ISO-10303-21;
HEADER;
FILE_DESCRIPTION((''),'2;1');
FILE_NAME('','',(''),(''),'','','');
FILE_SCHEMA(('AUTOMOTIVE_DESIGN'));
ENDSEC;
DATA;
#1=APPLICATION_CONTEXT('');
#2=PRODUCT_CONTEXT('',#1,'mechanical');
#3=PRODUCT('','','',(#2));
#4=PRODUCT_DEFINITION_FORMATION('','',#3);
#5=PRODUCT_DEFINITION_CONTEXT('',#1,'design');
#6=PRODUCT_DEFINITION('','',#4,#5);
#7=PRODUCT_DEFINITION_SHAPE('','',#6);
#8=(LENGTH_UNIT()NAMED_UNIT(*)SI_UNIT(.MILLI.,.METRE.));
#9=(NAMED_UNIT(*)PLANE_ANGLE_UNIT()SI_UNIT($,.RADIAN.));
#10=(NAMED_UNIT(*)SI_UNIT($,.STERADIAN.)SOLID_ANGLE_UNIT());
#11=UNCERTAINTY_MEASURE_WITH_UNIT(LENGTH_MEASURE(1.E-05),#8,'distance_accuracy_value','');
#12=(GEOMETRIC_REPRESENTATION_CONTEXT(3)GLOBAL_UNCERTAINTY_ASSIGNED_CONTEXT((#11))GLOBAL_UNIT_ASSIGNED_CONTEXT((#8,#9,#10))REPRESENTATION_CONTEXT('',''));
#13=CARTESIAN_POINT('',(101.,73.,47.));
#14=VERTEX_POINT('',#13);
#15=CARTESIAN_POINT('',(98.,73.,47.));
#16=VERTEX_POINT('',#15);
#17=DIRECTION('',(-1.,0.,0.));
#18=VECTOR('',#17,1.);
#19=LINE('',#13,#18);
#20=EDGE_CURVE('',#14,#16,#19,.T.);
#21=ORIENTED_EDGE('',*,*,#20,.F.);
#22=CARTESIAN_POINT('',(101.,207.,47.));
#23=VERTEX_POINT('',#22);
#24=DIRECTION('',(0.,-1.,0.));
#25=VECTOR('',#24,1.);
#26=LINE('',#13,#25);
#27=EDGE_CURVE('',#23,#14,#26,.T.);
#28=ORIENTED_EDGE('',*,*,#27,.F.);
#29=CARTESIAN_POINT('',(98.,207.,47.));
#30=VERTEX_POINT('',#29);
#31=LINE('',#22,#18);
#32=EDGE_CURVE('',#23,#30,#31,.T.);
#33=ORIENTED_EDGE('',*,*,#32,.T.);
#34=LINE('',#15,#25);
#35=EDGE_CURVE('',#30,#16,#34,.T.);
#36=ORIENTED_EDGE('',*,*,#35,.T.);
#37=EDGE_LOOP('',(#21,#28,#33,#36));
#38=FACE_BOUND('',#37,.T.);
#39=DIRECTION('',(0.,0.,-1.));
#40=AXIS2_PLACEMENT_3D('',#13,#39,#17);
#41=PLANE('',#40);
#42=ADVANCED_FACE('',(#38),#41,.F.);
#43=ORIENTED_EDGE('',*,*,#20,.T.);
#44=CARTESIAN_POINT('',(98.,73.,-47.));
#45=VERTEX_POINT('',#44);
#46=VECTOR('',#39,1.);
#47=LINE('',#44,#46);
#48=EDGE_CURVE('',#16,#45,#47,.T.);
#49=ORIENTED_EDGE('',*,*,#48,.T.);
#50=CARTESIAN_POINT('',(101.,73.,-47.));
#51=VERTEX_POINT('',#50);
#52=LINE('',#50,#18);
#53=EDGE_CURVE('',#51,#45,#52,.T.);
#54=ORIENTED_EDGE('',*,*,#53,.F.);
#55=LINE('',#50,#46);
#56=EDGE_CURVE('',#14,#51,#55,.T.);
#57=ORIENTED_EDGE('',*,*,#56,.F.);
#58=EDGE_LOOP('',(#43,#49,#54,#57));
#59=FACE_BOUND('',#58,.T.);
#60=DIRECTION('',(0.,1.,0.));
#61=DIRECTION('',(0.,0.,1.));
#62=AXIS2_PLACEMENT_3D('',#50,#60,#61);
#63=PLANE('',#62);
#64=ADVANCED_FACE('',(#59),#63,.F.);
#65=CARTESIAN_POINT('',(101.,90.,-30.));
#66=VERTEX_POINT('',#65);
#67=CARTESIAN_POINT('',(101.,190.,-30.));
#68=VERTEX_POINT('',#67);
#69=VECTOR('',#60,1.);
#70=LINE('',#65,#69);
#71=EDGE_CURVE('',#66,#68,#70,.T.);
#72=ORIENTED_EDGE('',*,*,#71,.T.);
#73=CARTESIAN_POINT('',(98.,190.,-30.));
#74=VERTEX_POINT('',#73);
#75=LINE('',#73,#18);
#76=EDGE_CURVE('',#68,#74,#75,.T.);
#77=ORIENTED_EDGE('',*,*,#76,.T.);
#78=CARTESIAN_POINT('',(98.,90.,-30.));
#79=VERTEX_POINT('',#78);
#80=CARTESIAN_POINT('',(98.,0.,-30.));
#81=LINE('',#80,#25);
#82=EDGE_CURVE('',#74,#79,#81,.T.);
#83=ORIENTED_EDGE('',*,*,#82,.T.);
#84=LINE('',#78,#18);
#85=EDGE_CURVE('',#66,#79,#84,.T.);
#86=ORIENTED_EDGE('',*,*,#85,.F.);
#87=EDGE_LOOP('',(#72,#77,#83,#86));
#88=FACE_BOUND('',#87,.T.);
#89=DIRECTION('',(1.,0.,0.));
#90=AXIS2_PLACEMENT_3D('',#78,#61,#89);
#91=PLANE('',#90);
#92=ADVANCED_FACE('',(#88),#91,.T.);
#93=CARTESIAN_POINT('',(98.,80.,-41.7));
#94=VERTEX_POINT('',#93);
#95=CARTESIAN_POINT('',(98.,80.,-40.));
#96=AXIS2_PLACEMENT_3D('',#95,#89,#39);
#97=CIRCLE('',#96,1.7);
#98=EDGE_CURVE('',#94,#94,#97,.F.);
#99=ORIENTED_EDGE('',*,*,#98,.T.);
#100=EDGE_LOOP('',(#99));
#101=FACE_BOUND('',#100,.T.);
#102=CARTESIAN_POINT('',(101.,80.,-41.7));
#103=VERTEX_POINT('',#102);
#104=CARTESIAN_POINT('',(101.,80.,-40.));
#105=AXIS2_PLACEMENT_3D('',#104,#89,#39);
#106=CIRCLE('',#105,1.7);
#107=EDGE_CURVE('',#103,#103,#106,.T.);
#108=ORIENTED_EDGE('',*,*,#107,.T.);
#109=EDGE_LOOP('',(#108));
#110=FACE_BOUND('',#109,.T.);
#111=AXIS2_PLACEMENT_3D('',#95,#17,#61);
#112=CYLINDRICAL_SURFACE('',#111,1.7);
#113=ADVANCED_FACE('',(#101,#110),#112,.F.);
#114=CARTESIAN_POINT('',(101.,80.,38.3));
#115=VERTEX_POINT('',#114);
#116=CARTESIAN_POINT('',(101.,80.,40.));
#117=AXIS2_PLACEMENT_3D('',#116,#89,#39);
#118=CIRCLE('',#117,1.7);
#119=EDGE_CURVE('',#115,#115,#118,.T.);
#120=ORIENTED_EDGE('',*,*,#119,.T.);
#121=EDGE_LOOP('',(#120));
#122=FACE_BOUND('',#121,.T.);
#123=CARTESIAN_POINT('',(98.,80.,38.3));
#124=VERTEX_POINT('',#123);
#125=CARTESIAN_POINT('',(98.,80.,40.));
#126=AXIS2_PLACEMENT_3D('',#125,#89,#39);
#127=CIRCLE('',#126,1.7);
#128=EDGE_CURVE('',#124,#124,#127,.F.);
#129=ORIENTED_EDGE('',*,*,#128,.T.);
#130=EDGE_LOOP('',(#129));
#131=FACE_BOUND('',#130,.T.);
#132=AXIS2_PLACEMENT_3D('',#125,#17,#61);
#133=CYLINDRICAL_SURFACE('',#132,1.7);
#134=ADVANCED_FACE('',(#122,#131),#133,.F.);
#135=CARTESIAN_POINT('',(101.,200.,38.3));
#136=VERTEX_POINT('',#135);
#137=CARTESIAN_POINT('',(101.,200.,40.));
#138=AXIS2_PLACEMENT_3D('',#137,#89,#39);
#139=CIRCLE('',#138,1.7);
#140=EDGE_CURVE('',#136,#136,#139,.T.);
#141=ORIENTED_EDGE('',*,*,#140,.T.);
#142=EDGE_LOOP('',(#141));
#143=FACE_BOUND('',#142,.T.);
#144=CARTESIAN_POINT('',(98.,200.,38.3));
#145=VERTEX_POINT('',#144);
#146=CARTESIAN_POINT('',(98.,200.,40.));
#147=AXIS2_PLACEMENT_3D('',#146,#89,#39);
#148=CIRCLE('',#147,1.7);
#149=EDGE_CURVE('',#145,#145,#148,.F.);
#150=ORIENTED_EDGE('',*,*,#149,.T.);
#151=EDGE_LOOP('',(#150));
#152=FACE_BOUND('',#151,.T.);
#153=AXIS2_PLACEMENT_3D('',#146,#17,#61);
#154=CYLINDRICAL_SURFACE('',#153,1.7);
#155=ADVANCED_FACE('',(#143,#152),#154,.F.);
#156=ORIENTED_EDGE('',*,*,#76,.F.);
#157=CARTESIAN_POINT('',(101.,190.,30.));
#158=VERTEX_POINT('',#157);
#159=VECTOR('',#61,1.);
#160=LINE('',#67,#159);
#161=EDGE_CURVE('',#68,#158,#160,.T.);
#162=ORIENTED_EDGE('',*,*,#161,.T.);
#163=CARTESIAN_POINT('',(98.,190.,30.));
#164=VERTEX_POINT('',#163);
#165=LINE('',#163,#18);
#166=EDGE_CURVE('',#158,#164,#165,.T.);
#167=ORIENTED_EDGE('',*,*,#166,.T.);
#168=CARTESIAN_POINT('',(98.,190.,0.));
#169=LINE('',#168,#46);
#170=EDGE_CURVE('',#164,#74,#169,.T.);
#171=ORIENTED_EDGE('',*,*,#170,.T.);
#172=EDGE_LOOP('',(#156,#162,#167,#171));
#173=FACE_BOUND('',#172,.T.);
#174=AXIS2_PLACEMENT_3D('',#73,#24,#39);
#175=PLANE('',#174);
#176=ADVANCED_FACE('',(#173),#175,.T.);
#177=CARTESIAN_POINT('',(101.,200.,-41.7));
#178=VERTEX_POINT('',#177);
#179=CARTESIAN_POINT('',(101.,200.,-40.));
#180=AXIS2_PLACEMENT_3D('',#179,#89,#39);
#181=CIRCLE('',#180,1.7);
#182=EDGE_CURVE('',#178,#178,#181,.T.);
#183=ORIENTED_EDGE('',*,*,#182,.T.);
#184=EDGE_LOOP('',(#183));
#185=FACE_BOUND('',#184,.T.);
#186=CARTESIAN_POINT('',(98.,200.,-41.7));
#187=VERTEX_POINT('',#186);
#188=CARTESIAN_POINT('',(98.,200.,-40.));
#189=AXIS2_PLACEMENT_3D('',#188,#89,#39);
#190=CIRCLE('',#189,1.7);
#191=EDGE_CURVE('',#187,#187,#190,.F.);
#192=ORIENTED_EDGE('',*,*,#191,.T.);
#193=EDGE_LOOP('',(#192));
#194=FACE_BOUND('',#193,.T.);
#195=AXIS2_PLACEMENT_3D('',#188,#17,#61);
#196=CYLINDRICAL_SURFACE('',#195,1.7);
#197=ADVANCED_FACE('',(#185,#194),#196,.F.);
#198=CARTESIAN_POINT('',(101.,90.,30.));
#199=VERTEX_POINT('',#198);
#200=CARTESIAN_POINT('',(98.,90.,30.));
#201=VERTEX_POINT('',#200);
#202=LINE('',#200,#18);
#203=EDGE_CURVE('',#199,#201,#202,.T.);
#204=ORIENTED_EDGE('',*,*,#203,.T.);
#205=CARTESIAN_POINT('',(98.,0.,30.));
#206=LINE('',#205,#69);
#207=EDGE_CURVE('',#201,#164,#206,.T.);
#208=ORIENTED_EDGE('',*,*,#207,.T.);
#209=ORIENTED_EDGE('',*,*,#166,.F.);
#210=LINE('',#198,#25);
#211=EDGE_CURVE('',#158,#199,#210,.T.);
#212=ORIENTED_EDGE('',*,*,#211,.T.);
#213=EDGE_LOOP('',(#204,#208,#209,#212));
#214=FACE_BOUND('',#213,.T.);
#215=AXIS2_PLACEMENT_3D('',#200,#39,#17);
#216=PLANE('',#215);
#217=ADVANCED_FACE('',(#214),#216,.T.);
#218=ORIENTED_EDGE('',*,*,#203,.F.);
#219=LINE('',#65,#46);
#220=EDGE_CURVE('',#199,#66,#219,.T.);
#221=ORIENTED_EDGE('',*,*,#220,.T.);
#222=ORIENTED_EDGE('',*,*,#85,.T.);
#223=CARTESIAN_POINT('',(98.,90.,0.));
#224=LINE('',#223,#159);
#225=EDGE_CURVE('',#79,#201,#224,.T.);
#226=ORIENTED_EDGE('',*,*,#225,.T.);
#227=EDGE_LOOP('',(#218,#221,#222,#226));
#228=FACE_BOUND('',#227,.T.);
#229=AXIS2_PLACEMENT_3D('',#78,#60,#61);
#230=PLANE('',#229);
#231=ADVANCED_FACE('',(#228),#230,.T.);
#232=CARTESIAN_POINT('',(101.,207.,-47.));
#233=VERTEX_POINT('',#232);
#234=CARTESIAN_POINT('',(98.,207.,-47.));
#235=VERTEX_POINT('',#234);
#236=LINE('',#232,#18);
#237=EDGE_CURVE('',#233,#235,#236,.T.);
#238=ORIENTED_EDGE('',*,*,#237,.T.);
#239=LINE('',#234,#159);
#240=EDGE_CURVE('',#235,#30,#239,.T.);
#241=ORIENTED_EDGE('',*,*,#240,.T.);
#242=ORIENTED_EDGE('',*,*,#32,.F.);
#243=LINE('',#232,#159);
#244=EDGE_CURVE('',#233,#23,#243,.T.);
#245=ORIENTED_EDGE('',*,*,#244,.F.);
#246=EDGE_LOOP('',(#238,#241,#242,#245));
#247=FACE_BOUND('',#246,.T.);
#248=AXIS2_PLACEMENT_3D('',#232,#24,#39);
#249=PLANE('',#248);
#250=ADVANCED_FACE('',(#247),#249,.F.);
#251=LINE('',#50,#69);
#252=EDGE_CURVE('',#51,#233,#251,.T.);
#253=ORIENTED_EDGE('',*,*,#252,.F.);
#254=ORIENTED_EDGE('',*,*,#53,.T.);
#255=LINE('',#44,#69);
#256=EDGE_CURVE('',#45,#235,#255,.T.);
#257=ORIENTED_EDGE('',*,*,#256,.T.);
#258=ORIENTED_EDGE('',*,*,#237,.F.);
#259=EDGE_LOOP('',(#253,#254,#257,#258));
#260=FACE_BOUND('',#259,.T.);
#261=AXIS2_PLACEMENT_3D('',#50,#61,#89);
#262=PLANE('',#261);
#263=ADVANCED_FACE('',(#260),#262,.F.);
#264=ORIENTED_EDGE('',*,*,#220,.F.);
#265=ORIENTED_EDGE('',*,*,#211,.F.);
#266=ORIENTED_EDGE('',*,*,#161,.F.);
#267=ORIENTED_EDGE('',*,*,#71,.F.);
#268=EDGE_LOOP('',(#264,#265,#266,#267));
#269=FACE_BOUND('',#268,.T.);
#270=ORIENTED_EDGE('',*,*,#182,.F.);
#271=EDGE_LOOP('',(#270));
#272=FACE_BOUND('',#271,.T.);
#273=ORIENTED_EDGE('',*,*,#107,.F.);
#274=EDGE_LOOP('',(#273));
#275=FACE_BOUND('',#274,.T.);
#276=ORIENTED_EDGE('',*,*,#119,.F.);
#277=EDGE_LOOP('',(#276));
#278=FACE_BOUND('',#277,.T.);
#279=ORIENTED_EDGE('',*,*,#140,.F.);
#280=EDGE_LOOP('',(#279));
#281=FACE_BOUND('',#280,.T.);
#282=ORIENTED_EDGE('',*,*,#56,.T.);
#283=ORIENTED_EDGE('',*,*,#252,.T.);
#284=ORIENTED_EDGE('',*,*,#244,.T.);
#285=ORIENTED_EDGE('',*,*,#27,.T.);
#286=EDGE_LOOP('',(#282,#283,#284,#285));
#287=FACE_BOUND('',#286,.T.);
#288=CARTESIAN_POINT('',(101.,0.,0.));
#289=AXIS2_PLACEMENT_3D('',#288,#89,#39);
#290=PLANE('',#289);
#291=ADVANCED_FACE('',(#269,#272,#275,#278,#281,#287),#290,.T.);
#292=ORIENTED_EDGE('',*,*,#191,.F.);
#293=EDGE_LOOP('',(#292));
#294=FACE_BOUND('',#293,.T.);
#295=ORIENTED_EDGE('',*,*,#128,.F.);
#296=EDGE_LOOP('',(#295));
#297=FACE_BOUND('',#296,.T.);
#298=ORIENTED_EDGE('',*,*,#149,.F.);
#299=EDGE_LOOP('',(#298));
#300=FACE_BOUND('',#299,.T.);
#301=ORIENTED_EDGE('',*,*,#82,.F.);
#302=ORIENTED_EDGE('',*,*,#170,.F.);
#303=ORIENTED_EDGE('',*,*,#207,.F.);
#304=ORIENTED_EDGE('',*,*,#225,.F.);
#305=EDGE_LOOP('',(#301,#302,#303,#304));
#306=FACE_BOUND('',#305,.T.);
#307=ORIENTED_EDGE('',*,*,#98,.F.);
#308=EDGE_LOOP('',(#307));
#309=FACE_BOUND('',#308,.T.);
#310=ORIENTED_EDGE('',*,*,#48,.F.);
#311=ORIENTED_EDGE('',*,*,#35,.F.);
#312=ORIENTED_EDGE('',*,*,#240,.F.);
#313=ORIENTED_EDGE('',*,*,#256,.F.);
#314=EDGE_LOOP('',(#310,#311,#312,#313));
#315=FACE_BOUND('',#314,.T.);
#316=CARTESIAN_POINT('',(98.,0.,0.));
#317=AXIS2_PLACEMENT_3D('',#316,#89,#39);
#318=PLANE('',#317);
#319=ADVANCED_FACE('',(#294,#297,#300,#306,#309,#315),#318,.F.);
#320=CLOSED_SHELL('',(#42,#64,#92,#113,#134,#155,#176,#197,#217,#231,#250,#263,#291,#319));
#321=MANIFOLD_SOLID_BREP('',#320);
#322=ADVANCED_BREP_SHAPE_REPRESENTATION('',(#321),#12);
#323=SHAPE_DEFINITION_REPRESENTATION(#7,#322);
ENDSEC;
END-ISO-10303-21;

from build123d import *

# Parameters (mm, degrees)
FLANGE_START                 = 98
SKETCH1_W                    = 94
SKETCH1_H                    = 134
FLANGE_DEPTH                 = 3
PORT_AND_M3_HOLES_DEPTH      = 236.072329295
PORT_AND_M3_HOLES_DEPTH_BACK = 236.072329295
SKETCH2_R                    = 1.7
SKETCH2_W                    = 60
SKETCH2_H                    = 100


with BuildPart() as part:
    # Sketch1 → flange (new body)
    with BuildSketch(Plane(origin=(0, 0, 0), x_dir=(0, 0, -1), z_dir=(1, 0, 0)).offset(FLANGE_START)):
        with Locations((0, 140)):
            Rectangle(SKETCH1_W, SKETCH1_H)
    extrude(amount=FLANGE_DEPTH)

    # Sketch2 → Port_and_M3_holes (cut, two sides: drawn at the far end of the back side and taken through both)
    with BuildSketch(Plane(origin=(0, 0, 0), x_dir=(0, 0, -1), z_dir=(1, 0, 0)).offset(-PORT_AND_M3_HOLES_DEPTH_BACK)):
        with Locations((40, 80)):
            Circle(SKETCH2_R)
        with Locations((-40, 80)):
            Circle(SKETCH2_R)
        with Locations((40, 200)):
            Circle(SKETCH2_R)
        with Locations((-40, 200)):
            Circle(SKETCH2_R)
        with Locations((0, 140)):
            Rectangle(SKETCH2_W, SKETCH2_H)
    extrude(amount=PORT_AND_M3_HOLES_DEPTH + PORT_AND_M3_HOLES_DEPTH_BACK, mode=Mode.SUBTRACT)


solid = part.part
